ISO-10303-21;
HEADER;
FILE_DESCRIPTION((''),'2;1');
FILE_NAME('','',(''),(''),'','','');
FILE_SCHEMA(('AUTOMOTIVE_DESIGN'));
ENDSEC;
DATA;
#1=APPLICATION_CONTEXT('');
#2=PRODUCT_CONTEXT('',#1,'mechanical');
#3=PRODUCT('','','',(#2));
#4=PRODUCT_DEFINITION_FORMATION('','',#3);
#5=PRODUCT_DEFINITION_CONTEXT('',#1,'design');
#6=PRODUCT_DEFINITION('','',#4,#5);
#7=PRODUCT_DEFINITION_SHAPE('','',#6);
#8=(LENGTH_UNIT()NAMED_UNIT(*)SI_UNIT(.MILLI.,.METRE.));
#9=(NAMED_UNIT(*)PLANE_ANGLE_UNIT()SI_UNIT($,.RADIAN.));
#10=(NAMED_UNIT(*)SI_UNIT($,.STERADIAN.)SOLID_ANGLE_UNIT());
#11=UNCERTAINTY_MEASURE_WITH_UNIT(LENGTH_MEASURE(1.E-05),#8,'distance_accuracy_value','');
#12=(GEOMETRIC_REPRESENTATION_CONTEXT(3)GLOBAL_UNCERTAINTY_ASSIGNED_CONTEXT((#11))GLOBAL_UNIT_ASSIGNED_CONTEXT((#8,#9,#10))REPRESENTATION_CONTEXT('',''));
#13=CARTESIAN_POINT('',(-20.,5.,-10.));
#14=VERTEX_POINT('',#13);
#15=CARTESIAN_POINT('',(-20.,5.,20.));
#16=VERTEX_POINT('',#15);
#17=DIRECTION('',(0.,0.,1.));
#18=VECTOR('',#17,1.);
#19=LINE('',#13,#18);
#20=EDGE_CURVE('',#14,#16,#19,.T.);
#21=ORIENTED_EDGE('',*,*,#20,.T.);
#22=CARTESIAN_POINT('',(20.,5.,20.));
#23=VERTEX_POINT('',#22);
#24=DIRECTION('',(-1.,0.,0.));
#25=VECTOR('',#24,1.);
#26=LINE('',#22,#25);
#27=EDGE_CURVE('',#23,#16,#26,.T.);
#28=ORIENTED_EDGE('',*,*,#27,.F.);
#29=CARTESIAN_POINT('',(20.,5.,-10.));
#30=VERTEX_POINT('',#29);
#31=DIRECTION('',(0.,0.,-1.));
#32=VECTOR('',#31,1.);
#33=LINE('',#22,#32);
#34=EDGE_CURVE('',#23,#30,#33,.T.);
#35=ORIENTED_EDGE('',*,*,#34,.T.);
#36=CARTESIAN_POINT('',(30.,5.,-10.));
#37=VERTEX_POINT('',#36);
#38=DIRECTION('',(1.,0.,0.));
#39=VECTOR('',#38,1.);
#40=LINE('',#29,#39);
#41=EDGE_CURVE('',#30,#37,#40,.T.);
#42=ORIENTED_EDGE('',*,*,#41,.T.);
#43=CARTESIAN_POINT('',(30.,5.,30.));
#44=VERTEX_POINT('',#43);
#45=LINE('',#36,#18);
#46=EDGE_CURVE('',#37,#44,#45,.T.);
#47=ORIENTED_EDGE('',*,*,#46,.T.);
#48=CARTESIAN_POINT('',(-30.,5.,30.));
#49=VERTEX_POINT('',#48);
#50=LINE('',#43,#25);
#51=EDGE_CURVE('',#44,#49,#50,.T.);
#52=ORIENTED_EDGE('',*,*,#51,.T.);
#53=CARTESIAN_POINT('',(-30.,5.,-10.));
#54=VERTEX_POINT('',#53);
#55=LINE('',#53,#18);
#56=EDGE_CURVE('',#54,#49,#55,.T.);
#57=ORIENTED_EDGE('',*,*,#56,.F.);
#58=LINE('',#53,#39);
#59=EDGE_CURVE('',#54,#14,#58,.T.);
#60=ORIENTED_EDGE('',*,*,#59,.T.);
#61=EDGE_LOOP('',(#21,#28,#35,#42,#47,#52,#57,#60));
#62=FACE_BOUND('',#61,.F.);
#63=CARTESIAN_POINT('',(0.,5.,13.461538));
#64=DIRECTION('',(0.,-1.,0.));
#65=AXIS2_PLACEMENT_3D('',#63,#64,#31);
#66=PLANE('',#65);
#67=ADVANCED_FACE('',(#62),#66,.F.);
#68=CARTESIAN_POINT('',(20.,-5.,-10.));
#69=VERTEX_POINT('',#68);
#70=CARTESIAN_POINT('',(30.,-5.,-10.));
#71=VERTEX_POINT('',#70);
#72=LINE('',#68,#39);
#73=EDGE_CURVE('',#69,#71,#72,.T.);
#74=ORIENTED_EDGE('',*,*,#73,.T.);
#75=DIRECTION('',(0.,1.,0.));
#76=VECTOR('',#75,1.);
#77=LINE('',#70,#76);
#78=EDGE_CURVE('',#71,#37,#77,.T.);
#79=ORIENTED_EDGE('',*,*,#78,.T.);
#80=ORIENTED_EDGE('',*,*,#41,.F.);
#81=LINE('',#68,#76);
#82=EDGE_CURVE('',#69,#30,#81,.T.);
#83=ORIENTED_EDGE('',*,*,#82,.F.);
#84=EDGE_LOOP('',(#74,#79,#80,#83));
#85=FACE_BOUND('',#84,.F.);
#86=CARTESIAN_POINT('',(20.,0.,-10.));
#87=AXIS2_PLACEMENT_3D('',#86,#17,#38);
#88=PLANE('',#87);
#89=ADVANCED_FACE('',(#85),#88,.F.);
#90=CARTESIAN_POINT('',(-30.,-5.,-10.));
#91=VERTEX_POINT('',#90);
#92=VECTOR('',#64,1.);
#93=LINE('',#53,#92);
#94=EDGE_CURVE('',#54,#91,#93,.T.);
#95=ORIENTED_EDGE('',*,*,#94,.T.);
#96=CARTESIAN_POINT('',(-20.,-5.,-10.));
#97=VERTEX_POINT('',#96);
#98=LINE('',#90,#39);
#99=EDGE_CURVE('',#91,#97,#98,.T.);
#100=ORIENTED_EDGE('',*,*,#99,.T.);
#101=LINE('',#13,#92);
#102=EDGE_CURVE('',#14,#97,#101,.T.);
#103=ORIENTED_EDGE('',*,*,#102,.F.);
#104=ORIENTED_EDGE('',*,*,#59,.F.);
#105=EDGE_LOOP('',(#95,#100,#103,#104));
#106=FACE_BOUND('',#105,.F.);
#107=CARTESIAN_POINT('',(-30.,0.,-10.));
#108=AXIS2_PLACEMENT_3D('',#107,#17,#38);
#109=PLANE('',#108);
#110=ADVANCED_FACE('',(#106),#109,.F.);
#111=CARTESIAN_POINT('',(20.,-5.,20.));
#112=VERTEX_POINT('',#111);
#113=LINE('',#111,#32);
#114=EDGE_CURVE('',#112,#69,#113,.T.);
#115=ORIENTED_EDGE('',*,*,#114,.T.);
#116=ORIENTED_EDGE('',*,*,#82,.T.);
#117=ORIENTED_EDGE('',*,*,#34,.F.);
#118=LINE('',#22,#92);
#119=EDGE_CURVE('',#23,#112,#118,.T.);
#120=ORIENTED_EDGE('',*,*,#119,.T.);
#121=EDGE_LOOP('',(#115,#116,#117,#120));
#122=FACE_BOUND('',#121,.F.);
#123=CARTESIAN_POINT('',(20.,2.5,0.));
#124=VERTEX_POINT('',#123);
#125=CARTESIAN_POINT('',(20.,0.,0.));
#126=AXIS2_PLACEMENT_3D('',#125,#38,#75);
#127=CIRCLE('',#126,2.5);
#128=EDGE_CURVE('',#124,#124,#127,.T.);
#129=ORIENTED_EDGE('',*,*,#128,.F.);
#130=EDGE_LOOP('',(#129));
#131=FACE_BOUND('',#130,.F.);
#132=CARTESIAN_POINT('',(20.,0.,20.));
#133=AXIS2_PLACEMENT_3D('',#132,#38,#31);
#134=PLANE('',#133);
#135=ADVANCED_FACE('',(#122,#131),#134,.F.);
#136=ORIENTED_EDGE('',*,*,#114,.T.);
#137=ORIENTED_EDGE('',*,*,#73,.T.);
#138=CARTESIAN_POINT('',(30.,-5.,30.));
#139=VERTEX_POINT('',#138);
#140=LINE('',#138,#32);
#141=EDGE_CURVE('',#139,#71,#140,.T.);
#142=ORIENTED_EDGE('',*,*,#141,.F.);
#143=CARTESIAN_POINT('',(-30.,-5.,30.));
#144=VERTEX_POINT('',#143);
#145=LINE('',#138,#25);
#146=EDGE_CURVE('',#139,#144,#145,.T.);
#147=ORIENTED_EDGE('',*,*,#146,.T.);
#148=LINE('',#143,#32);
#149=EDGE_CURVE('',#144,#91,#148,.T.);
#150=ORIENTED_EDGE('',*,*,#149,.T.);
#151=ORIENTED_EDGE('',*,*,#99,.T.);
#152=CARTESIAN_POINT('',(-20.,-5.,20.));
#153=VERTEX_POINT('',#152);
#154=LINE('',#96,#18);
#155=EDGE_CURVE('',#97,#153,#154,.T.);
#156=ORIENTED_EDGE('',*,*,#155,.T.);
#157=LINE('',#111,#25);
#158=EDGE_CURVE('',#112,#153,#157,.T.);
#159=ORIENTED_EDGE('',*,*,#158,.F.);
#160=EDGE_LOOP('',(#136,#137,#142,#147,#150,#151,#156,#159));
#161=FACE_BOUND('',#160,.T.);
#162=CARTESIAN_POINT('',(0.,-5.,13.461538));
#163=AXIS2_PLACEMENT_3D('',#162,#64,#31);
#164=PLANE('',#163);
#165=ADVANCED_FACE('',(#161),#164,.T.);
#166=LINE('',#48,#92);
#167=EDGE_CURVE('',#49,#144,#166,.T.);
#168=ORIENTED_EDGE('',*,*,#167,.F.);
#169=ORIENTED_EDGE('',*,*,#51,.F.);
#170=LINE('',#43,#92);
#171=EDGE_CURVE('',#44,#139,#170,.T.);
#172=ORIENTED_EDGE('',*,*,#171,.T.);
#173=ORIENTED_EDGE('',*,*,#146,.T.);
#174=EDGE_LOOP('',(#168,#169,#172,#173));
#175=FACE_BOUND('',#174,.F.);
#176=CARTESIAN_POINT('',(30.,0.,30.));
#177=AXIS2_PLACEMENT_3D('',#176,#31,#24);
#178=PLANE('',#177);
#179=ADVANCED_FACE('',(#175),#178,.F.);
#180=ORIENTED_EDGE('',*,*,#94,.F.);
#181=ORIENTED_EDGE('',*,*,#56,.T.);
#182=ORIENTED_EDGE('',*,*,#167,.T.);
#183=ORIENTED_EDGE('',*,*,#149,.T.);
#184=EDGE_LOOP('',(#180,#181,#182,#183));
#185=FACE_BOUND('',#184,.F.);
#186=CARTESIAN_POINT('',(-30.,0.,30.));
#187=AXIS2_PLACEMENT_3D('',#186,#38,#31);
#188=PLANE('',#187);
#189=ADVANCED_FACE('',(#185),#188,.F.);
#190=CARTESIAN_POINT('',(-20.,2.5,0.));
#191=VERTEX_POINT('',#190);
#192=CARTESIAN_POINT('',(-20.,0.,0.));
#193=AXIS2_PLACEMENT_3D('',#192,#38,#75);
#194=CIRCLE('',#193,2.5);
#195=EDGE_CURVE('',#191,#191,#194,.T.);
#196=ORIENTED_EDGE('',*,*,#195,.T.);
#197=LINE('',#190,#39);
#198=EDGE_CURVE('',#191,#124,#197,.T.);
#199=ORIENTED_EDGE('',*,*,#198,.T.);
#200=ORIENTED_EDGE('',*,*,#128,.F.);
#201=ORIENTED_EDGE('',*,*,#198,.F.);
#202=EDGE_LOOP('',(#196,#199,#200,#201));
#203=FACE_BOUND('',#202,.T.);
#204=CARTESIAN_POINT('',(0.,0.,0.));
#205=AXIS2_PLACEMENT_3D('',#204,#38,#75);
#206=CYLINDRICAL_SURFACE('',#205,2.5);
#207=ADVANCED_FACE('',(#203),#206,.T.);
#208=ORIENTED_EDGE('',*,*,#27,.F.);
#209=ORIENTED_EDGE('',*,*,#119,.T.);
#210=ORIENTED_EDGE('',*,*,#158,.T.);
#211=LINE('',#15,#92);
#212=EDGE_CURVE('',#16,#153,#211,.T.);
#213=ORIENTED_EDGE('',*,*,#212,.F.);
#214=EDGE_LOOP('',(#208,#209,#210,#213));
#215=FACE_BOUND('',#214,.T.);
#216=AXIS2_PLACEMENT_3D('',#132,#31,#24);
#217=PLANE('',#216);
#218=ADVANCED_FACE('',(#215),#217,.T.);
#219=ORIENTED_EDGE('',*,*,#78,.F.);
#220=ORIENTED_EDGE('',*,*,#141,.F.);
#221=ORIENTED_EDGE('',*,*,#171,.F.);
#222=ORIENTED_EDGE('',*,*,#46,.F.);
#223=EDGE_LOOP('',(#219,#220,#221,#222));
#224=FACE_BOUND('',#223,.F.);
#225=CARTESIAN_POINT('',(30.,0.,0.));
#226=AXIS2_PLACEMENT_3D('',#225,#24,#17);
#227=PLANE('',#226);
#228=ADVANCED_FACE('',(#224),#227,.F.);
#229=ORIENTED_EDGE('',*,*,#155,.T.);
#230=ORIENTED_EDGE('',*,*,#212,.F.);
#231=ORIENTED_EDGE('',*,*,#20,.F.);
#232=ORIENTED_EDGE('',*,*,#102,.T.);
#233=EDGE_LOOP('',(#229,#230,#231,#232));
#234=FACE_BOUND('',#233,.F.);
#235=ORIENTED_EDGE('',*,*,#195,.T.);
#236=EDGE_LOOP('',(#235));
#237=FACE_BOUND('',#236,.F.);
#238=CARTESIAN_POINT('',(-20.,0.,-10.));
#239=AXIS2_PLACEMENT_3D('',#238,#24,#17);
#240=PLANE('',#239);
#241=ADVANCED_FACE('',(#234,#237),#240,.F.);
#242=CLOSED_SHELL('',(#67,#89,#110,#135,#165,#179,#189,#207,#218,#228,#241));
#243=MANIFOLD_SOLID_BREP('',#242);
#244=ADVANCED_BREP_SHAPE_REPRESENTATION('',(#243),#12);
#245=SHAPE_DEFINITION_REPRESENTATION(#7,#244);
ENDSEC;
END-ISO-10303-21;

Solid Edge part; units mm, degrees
sketch "Sketch1" plane through (0, 0, 0) normal (1, 0, 0) x (0, 1, 0)
  circle A0 centre (0, 0) radius 2.5
extrude "Protrusion1" add sketch "Sketch1" along normal mid plane 40
sketch "Sketch2" plane through (0, 0, 0) normal (0, -1, 0) x (1, 0, 0)
  line L0 (30, 0) -> (30, 20)
  line L1 (30, -10) -> (30, 0)
  line L2 (20, -10) -> (30, -10)
  line L3 (20, 20) -> (20, -10)
  line L4 (20, 20) -> (-20, 20)
  line L5 (-20, -10) -> (-20, 20)
  line L6 (-30, -10) -> (-20, -10)
  line L7 (-30, 0) -> (-30, -10)
  line L8 (-30, 20) -> (-30, 0)
  line L9 (-30, 30) -> (-30, 20)
  line L10 (30, 30) -> (-30, 30)
  line L11 (30, 20) -> (30, 30)
extrude "ExtrudedProtrusion_2" add sketch "Sketch2" along normal mid plane 10
